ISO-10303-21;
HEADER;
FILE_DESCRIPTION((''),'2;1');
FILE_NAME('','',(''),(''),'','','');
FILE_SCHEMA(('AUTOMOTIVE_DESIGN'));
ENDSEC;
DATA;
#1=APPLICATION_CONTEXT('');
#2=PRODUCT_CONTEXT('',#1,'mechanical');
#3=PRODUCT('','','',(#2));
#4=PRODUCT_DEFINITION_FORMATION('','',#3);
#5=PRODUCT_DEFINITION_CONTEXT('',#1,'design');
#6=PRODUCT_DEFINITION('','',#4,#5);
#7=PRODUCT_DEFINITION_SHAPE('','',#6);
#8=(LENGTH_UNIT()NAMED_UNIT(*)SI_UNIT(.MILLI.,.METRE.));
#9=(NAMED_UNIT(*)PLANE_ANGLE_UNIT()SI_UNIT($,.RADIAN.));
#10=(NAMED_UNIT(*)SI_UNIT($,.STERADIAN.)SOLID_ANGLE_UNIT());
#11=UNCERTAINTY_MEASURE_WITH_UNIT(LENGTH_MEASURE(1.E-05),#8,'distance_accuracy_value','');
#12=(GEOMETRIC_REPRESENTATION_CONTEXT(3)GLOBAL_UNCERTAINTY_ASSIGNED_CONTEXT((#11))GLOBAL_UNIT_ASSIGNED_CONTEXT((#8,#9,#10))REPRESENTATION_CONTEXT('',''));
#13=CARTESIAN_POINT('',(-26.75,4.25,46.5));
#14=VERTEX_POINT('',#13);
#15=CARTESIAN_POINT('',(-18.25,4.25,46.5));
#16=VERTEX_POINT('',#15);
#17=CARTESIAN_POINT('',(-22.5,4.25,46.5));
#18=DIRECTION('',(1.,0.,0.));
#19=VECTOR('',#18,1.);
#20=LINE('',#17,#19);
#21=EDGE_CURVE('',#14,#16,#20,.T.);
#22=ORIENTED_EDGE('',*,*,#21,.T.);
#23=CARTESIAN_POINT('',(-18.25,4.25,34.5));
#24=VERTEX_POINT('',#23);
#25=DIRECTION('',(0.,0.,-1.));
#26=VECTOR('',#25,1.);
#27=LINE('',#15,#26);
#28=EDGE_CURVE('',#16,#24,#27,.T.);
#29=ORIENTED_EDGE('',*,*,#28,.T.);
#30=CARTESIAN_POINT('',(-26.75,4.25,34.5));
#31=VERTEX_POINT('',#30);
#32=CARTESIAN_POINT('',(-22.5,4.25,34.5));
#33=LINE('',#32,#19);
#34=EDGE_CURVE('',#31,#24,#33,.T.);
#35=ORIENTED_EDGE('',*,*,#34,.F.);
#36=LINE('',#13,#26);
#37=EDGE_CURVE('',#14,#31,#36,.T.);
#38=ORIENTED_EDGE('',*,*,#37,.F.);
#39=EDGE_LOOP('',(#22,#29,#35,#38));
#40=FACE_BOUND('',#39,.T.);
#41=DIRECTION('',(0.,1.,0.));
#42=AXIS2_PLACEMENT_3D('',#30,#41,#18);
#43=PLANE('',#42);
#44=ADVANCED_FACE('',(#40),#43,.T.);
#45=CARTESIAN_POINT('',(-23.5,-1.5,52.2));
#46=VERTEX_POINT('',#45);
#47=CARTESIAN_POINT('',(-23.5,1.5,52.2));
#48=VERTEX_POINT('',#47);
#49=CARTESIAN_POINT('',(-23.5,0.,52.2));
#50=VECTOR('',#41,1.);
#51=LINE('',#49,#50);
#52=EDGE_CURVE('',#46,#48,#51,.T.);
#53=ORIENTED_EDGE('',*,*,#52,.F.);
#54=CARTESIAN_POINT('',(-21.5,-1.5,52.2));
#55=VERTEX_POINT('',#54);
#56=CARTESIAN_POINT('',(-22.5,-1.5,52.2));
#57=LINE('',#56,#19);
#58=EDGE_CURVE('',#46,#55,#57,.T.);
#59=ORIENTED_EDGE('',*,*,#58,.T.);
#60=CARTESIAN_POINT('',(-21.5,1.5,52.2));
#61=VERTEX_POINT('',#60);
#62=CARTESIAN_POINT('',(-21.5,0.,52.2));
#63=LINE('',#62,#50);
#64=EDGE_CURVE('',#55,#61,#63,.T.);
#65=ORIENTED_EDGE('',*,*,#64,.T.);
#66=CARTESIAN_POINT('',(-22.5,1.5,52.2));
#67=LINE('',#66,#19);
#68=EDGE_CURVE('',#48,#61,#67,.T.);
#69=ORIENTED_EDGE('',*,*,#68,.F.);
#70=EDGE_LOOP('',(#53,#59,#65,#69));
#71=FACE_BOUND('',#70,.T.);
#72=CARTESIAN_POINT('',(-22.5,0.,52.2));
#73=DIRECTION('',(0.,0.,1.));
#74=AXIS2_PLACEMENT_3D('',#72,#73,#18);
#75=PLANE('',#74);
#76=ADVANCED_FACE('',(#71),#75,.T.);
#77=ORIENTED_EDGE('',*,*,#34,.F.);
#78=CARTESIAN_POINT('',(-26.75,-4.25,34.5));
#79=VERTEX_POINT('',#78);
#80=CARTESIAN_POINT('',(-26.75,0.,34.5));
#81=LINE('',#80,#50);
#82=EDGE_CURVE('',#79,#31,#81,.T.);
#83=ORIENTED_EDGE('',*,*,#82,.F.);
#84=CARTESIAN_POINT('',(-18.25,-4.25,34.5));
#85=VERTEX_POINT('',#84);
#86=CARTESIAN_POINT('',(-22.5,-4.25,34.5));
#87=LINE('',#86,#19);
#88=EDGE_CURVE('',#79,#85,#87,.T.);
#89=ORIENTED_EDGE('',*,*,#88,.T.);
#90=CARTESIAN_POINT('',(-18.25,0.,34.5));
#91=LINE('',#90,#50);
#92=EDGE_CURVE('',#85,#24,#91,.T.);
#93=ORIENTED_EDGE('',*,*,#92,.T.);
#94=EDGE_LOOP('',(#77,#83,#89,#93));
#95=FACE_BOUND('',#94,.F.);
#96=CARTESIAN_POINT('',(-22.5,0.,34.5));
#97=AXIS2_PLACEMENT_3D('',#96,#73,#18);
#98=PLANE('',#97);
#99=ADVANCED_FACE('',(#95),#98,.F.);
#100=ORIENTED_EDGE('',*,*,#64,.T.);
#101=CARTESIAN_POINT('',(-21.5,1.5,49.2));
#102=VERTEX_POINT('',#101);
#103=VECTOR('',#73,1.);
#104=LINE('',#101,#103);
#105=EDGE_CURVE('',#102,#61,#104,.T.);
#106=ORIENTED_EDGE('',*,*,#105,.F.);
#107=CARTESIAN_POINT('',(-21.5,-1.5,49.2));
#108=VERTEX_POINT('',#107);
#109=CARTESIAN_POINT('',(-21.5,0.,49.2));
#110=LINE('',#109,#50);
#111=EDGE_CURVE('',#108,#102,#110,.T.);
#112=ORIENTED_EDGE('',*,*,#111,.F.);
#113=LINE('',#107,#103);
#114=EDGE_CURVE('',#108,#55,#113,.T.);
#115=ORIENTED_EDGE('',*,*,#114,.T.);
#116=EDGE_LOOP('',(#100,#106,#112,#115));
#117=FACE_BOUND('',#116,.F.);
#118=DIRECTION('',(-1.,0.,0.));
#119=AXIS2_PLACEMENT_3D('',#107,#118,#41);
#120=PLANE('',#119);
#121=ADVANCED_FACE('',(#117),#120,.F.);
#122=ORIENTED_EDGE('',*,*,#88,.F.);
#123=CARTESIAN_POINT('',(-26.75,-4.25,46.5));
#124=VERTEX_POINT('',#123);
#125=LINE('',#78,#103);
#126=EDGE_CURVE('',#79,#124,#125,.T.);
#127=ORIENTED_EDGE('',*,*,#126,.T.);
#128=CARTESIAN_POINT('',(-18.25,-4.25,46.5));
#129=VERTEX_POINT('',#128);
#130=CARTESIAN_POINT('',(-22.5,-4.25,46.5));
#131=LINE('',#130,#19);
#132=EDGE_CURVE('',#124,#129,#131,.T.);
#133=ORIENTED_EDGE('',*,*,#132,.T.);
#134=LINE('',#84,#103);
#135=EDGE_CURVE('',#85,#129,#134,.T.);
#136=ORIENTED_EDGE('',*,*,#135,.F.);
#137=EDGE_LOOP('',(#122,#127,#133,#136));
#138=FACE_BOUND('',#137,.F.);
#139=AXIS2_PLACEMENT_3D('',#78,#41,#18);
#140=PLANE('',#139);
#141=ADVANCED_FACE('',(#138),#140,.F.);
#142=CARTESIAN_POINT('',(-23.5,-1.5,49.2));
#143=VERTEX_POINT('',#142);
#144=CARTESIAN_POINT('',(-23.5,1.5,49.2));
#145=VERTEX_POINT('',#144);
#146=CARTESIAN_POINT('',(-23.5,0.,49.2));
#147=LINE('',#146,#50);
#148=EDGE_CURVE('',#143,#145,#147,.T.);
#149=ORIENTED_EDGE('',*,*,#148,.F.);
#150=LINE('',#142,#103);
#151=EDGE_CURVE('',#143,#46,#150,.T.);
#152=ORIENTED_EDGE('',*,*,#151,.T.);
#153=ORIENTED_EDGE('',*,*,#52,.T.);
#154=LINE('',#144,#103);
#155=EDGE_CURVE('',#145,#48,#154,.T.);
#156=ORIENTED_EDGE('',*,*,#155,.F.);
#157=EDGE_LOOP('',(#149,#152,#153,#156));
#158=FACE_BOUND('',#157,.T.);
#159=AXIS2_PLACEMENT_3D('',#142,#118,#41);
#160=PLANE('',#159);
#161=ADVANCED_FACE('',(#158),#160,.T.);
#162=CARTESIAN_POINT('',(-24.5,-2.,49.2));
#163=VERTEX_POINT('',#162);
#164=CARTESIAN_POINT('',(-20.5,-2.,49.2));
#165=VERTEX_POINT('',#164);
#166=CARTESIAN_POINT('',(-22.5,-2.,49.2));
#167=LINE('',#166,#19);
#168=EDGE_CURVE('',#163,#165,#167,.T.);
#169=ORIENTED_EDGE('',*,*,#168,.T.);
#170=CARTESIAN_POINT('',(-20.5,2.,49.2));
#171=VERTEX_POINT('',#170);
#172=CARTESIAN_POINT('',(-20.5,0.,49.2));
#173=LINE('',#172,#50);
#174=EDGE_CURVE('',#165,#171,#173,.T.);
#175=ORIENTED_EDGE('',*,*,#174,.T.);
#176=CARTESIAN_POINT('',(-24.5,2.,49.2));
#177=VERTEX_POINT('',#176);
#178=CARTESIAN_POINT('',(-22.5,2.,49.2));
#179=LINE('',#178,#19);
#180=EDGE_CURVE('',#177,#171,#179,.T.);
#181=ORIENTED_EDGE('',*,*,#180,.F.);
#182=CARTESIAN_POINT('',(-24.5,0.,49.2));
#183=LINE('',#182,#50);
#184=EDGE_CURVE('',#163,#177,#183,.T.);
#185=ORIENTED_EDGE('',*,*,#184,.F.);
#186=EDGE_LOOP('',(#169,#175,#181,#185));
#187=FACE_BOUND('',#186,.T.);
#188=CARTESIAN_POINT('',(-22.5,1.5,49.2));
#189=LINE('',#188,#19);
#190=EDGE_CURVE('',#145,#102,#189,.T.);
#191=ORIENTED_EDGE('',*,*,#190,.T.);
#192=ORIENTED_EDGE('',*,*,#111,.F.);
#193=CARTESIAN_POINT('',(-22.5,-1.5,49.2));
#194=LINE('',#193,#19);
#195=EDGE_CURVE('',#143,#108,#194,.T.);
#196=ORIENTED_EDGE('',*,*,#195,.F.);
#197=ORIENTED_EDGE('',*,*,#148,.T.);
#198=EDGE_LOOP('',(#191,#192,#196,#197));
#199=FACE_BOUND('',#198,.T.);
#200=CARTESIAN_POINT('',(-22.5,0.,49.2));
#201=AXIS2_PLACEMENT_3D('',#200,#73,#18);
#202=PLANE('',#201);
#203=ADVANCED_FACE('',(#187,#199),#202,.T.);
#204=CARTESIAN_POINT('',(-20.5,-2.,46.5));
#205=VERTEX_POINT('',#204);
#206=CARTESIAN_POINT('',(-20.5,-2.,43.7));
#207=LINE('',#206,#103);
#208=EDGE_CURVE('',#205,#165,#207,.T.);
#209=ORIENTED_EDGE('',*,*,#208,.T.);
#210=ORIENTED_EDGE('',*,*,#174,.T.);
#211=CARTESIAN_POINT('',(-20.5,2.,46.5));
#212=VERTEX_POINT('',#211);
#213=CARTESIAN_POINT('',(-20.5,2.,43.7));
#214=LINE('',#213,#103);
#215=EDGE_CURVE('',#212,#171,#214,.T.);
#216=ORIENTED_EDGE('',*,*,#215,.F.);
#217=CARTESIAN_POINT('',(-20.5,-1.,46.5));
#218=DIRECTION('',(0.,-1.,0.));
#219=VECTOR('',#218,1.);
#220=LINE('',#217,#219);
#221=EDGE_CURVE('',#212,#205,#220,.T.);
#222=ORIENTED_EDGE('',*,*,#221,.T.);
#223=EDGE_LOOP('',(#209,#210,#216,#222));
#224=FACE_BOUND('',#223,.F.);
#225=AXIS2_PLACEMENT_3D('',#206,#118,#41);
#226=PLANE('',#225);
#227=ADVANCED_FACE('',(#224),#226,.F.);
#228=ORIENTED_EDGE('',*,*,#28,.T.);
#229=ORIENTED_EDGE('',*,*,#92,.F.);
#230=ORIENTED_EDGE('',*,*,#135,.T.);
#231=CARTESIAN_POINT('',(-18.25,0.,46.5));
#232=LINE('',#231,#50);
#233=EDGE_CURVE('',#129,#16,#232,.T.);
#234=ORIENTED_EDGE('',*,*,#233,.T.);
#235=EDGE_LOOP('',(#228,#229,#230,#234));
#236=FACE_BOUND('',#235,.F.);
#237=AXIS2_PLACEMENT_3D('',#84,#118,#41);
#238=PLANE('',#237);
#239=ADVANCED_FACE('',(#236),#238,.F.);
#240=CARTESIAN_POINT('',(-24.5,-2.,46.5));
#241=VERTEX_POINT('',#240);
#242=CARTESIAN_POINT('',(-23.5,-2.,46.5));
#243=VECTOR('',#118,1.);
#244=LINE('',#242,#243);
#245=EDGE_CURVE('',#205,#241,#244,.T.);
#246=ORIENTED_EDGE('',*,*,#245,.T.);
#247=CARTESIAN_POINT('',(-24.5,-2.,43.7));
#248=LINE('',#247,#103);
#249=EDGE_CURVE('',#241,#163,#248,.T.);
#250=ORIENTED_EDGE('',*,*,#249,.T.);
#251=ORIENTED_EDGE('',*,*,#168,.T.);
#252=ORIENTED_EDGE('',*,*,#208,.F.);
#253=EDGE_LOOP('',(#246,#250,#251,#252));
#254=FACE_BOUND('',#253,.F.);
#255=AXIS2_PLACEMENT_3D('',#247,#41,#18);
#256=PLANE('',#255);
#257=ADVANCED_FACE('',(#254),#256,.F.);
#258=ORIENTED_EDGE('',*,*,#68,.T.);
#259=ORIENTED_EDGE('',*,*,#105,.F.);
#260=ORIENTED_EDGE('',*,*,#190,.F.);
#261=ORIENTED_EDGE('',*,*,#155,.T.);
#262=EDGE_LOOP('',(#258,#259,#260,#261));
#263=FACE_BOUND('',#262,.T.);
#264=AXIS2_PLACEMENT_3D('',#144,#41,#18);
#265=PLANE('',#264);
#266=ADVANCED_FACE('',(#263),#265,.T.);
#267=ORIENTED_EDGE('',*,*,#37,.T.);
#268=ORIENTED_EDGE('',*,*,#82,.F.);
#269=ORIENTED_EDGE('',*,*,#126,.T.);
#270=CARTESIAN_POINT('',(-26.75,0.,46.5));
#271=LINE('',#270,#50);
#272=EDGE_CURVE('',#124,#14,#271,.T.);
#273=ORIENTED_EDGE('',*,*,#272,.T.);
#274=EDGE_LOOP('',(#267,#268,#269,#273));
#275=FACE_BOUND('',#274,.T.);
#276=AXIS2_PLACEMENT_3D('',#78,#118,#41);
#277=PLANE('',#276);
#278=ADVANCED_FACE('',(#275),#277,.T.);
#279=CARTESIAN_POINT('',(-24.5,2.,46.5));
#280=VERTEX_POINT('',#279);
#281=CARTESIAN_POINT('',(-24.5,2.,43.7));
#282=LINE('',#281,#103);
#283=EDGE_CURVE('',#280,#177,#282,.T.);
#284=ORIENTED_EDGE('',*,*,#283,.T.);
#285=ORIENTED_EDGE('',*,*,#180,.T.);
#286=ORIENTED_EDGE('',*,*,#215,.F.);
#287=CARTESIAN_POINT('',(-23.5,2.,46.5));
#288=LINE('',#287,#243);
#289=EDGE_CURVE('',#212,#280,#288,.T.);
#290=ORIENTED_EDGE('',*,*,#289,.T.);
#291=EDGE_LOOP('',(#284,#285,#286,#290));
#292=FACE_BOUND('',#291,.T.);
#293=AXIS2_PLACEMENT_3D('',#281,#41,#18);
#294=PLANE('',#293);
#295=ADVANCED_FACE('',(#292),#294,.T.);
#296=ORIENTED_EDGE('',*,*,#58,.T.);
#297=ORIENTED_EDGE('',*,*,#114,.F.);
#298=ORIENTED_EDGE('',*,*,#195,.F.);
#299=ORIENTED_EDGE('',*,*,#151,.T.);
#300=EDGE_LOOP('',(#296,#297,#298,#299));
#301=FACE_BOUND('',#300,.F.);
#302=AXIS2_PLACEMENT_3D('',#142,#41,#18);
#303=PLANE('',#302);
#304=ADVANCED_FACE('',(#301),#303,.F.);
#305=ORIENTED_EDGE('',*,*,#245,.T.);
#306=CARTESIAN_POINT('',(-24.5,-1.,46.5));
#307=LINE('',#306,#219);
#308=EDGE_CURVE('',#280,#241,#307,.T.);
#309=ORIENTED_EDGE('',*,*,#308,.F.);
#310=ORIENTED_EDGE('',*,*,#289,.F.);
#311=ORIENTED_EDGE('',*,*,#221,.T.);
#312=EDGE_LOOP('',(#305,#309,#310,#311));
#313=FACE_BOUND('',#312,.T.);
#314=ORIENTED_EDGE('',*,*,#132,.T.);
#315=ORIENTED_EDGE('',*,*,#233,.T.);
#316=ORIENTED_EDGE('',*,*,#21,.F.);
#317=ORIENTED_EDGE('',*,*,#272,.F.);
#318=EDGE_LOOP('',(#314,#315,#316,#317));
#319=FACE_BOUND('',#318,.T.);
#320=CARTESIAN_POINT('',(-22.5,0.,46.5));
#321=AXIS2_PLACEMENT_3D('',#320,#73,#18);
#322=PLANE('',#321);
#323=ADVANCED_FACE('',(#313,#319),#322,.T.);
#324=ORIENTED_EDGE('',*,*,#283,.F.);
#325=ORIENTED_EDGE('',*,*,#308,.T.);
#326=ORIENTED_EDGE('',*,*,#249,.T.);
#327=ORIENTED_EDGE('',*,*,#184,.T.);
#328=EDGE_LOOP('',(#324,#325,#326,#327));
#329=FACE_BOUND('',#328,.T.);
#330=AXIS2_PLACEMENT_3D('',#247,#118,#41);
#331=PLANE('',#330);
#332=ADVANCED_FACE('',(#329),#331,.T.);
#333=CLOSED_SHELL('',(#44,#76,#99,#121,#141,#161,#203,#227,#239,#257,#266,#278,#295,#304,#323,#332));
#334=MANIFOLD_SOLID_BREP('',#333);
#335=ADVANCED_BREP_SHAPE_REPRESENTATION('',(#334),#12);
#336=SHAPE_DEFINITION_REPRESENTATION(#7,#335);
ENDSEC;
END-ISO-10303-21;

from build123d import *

# Parameters (mm, degrees)
BOX075_W     = 4
BOX075_H     = 4
BOX075_DEPTH = 5.5
BOX076_W     = 8.5
BOX076_H     = 8.5
BOX076_DEPTH = 3.5
BOX078_W     = 2
BOX078_H     = 3
BOX078_DEPTH = 3
BOX074_W     = 8.5
BOX074_H     = 8.5
BOX074_DEPTH = 8.5


with BuildPart() as plunger:
    # Box075 → Box075 (new body)
    with BuildSketch(Plane(origin=(-2, -2, 5.7), x_dir=(1, 0, 0), z_dir=(0, 0, 1))):
        with Locations((2, 2)):
            Rectangle(BOX075_W, BOX075_H)
    extrude(amount=BOX075_DEPTH)


with BuildPart() as pins:
    # Box076 → Box076 (new body)
    with BuildSketch(Plane(origin=(-4.25, -4.25, -3.5), x_dir=(1, 0, 0), z_dir=(0, 0, 1))):
        with Locations((4.25, 4.25)):
            Rectangle(BOX076_W, BOX076_H)
    extrude(amount=BOX076_DEPTH)


with BuildPart() as plunger001:
    # Box078 → Box078 (new body)
    with BuildSketch(Plane(origin=(-1, -1.5, 11.2), x_dir=(1, 0, 0), z_dir=(0, 0, 1))):
        with Locations((1, 1.5)):
            Rectangle(BOX078_W, BOX078_H)
    extrude(amount=BOX078_DEPTH)


with BuildPart() as switch001:
    # Box074 → Box074 (new body)
    with BuildSketch(Plane(origin=(-4.25, -4.25, 0), x_dir=(1, 0, 0), z_dir=(0, 0, 1))):
        with Locations((4.25, 4.25)):
            Rectangle(BOX074_W, BOX074_H)
    extrude(amount=BOX074_DEPTH)

    # Fusion024: union plunger, pins, plunger001
    add(plunger.part)
    add(pins.part)
    add(plunger001.part)


with BuildPart() as switch001_1:
    # Body001 placement: moved
    add(switch001.part.moved(Location((-22.5, 0, 38))))


solid = switch001_1.part
